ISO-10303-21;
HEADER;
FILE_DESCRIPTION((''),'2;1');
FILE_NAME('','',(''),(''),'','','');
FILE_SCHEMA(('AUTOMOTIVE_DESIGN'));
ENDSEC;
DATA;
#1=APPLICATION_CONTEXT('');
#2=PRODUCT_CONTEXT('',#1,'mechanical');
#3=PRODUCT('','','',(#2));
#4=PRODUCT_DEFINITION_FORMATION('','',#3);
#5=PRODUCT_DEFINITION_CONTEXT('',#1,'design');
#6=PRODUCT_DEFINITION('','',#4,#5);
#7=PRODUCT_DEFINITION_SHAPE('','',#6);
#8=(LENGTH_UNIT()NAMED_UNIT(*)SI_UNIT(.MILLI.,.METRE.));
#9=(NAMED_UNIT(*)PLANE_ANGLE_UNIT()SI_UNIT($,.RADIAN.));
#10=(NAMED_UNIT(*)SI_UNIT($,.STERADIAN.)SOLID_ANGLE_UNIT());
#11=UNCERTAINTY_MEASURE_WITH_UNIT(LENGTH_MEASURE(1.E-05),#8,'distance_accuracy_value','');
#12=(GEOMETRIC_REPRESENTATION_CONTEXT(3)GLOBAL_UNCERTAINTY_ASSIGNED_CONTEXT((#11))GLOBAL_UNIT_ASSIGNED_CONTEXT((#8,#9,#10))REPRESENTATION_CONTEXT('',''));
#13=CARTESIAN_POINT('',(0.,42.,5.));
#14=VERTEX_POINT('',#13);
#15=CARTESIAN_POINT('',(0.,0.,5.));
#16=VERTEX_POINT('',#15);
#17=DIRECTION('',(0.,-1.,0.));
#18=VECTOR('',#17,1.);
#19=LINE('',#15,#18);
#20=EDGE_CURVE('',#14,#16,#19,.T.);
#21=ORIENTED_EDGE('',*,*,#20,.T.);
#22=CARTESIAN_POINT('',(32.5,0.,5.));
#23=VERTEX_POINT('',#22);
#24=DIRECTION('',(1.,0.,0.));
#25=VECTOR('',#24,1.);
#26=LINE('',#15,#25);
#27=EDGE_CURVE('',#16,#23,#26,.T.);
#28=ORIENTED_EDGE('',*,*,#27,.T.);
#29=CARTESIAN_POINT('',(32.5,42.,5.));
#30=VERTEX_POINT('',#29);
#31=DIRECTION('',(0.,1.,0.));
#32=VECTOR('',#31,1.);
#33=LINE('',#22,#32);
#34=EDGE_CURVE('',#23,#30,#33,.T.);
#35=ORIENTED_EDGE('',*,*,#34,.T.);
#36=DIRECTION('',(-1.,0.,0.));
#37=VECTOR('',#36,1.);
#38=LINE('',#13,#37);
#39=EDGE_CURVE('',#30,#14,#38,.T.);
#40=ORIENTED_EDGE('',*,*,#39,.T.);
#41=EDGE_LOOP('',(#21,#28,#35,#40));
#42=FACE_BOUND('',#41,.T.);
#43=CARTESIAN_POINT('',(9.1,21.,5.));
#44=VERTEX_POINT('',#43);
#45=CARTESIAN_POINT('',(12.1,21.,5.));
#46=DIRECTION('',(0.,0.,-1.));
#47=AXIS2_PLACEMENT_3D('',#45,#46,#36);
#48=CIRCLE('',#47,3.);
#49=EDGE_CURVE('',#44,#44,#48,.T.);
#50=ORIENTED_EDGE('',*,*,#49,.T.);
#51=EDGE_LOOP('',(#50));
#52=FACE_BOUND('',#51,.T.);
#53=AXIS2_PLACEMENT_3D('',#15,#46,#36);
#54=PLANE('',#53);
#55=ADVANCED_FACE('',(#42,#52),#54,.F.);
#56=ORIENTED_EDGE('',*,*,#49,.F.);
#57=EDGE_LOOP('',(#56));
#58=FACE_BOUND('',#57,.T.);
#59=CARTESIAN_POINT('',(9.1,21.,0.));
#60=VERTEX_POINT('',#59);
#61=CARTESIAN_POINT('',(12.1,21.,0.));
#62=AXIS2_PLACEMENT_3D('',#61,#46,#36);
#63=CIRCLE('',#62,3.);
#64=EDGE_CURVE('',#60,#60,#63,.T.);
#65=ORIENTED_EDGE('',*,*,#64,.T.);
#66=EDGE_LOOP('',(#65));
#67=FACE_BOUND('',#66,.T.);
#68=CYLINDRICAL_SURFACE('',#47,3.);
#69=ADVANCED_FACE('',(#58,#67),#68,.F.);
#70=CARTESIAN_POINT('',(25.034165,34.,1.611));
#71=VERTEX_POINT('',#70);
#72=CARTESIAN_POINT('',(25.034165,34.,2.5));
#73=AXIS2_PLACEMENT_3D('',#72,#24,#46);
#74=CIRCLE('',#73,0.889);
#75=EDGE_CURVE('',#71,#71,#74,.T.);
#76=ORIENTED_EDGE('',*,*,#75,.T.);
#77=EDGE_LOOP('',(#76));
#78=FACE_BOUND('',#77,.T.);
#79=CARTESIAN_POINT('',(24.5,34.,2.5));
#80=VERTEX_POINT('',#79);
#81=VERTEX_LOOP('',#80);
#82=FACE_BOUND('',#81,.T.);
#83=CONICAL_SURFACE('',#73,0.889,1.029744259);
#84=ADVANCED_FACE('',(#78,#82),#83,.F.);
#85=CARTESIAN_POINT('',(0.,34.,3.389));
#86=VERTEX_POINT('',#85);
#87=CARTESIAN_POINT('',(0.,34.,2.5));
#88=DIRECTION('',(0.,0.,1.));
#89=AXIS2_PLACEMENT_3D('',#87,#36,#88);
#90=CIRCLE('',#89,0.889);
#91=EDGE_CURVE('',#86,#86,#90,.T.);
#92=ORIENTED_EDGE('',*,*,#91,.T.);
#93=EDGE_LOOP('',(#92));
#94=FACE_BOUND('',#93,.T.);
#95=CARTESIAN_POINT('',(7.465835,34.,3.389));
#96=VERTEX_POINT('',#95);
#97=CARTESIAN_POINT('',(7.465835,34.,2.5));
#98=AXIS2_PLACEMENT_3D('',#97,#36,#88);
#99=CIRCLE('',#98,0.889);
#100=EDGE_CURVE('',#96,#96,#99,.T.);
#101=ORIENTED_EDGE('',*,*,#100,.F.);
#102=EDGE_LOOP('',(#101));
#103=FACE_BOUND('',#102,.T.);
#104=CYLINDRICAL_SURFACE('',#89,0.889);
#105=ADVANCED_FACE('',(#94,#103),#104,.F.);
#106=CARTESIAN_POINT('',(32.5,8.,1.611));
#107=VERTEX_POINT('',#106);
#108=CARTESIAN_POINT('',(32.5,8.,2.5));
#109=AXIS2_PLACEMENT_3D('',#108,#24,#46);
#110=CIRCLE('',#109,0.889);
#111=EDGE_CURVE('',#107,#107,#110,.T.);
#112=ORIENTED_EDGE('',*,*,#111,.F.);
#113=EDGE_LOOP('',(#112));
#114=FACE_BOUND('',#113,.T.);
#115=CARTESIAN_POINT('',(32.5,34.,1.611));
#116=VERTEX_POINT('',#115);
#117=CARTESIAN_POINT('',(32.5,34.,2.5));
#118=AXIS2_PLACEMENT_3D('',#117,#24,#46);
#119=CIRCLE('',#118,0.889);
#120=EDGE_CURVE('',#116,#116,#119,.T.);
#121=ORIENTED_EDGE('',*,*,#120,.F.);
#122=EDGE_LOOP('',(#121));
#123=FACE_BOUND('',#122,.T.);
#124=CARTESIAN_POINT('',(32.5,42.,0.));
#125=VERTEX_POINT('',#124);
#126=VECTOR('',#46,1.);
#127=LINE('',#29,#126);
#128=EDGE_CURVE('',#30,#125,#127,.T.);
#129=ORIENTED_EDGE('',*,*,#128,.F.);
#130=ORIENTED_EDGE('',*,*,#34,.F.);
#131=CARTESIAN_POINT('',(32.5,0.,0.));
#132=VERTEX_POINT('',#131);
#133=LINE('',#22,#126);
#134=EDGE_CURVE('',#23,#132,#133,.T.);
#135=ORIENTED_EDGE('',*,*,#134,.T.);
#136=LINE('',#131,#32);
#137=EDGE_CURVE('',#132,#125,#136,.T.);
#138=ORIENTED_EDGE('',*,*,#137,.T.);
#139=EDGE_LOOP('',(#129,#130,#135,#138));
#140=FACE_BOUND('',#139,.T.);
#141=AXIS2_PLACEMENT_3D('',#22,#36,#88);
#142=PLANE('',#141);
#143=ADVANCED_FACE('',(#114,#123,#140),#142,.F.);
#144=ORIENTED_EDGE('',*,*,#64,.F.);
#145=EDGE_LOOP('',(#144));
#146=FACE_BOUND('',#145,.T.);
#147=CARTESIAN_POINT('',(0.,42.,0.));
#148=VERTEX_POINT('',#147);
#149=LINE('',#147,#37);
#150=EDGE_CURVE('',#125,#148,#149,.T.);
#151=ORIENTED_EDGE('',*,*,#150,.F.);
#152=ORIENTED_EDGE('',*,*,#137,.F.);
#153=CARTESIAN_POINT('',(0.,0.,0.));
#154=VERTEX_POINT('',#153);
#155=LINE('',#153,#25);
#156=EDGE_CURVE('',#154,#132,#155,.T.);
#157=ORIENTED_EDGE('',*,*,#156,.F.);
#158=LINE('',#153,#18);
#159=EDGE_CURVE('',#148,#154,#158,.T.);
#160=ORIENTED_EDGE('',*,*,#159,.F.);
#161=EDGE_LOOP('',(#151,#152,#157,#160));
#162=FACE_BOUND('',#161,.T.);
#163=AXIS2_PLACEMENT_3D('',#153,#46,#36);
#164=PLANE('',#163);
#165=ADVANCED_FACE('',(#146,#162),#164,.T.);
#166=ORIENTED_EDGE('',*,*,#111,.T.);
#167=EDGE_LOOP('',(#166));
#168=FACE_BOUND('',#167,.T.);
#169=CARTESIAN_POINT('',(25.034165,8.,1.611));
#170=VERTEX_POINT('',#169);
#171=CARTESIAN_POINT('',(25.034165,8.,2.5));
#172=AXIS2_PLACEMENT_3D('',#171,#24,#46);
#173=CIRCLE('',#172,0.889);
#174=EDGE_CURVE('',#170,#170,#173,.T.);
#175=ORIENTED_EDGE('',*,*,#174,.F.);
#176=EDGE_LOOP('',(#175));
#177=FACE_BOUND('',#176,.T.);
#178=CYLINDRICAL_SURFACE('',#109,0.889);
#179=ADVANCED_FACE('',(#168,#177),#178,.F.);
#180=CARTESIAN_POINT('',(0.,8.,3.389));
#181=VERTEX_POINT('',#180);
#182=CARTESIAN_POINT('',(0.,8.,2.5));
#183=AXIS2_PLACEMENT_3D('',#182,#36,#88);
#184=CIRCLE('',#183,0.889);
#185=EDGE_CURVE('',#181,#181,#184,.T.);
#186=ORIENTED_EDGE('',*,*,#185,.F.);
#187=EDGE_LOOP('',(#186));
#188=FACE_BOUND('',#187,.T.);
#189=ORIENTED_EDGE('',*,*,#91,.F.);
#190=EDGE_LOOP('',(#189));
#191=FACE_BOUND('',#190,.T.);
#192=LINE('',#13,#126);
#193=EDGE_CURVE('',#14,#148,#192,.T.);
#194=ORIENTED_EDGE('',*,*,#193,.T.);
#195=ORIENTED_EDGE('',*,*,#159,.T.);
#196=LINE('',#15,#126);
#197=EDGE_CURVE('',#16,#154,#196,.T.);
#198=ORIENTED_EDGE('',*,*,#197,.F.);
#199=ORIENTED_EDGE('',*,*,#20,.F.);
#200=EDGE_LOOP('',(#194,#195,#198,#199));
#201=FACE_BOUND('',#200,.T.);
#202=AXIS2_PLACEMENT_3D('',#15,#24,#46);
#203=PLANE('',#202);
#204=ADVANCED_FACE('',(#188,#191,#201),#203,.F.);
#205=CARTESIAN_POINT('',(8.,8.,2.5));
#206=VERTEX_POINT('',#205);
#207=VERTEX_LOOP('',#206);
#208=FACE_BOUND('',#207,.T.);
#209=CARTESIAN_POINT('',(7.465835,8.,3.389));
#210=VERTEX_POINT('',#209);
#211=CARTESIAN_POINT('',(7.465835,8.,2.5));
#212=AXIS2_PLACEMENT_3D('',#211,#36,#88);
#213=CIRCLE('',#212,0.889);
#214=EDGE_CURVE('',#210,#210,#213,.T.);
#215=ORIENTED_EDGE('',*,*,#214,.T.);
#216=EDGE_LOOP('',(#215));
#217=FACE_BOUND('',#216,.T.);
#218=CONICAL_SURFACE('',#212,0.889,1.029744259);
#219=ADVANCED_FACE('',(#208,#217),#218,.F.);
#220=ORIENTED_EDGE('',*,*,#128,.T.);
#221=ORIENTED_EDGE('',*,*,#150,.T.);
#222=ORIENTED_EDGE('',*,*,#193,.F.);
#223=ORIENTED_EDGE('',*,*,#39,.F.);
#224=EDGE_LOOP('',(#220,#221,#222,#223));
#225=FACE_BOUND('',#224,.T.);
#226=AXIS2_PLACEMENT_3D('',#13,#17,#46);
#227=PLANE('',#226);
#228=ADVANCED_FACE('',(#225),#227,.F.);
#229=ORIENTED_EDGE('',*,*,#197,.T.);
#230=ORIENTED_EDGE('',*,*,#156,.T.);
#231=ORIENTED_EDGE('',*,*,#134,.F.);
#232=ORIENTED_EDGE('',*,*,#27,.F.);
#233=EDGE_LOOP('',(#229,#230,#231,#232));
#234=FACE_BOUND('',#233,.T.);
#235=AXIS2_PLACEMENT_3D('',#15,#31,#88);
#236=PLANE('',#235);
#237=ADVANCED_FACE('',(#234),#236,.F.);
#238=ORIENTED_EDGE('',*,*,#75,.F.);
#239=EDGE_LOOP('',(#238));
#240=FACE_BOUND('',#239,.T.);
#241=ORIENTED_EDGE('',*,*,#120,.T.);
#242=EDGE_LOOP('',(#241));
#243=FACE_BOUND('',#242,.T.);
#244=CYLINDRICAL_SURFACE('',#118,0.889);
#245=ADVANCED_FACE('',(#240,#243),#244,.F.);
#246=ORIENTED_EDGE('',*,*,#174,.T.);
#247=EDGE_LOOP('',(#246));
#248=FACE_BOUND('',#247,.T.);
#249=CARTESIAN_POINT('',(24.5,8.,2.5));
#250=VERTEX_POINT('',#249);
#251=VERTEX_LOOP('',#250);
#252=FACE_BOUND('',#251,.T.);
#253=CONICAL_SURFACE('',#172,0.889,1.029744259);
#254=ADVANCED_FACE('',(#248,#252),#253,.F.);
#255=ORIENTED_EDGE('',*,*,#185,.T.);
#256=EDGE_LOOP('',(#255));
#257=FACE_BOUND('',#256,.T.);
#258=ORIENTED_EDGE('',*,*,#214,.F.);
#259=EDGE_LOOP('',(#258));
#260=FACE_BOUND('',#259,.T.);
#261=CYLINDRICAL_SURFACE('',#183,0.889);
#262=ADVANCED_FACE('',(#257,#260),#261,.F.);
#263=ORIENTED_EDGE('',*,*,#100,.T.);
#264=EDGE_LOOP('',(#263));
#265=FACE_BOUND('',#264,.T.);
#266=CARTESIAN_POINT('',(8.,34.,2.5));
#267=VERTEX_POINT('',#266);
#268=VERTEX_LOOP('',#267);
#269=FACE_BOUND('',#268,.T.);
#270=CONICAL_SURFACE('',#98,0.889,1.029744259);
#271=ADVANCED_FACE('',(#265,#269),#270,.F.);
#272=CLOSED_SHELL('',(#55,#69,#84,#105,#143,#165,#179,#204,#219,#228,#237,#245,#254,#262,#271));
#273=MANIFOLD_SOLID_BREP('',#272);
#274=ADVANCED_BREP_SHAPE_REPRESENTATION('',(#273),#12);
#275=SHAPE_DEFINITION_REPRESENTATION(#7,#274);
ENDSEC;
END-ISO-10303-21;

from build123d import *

# Parameters (mm, degrees)
SKETCH1_W                 = 32.5
SKETCH1_H                 = 42
BOSS_EXTRUDE2_DEPTH       = 5
F_2_56_TAPPED_HOLE1_D     = 1.778
F_2_56_TAPPED_HOLE1_DEPTH = 7.46583491
F_2_56_TAPPED_HOLE1_TIP   = 0.53416509
F_2_56_TAPPED_HOLE2_D     = 1.778
F_2_56_TAPPED_HOLE2_DEPTH = 7.46583491
F_2_56_TAPPED_HOLE2_TIP   = 0.53416509
CUT_EXTRUDE1_DEPTH        = 5


with BuildPart() as part:
    # Sketch1 → Boss-Extrude2 (new body)
    with BuildSketch(Plane.XY):
        with Locations((16.25, 21)):
            Rectangle(SKETCH1_W, SKETCH1_H)
    extrude(amount=BOSS_EXTRUDE2_DEPTH)

    # #2-56 Tapped Hole1
    with Locations(Plane.ZY):
        with Locations((2.5, 34), (2.5, 8)):
            Hole(F_2_56_TAPPED_HOLE1_D / 2, depth=F_2_56_TAPPED_HOLE1_DEPTH)
            with Locations((0, 0, -(F_2_56_TAPPED_HOLE1_DEPTH + F_2_56_TAPPED_HOLE1_TIP / 2))):  # 118° drill point
                Cone(0, F_2_56_TAPPED_HOLE1_D / 2, F_2_56_TAPPED_HOLE1_TIP, mode=Mode.SUBTRACT)

    # #2-56 Tapped Hole2
    with Locations(Plane(origin=(32.5, 0, 0), x_dir=(0, 0, -1), z_dir=(1, 0, 0))):
        with Locations((-2.5, 34), (-2.5, 8)):
            Hole(F_2_56_TAPPED_HOLE2_D / 2, depth=F_2_56_TAPPED_HOLE2_DEPTH)
            with Locations((0, 0, -(F_2_56_TAPPED_HOLE2_DEPTH + F_2_56_TAPPED_HOLE2_TIP / 2))):  # 118° drill point
                Cone(0, F_2_56_TAPPED_HOLE2_D / 2, F_2_56_TAPPED_HOLE2_TIP, mode=Mode.SUBTRACT)

    # Sketch9 → Cut-Extrude1 (cut)
    with BuildSketch(Plane(origin=(0, 0, 0), x_dir=(-1, 0, 0), z_dir=(0, 0, -1))):
        with BuildLine():
            ThreePointArc((-15.1, 21), (-12.1, 18), (-9.1, 21))
            Line((-9.1, 21), (-12.1, 21))
            Line((-12.1, 21), (-15.1, 21))
        make_face()
        with BuildLine():
            Line((-12.1, 21), (-9.1, 21))
            ThreePointArc((-9.1, 21), (-12.1, 24), (-15.1, 21))
            Line((-15.1, 21), (-12.1, 21))
        make_face()
    extrude(amount=-CUT_EXTRUDE1_DEPTH, mode=Mode.SUBTRACT)


solid = part.part
